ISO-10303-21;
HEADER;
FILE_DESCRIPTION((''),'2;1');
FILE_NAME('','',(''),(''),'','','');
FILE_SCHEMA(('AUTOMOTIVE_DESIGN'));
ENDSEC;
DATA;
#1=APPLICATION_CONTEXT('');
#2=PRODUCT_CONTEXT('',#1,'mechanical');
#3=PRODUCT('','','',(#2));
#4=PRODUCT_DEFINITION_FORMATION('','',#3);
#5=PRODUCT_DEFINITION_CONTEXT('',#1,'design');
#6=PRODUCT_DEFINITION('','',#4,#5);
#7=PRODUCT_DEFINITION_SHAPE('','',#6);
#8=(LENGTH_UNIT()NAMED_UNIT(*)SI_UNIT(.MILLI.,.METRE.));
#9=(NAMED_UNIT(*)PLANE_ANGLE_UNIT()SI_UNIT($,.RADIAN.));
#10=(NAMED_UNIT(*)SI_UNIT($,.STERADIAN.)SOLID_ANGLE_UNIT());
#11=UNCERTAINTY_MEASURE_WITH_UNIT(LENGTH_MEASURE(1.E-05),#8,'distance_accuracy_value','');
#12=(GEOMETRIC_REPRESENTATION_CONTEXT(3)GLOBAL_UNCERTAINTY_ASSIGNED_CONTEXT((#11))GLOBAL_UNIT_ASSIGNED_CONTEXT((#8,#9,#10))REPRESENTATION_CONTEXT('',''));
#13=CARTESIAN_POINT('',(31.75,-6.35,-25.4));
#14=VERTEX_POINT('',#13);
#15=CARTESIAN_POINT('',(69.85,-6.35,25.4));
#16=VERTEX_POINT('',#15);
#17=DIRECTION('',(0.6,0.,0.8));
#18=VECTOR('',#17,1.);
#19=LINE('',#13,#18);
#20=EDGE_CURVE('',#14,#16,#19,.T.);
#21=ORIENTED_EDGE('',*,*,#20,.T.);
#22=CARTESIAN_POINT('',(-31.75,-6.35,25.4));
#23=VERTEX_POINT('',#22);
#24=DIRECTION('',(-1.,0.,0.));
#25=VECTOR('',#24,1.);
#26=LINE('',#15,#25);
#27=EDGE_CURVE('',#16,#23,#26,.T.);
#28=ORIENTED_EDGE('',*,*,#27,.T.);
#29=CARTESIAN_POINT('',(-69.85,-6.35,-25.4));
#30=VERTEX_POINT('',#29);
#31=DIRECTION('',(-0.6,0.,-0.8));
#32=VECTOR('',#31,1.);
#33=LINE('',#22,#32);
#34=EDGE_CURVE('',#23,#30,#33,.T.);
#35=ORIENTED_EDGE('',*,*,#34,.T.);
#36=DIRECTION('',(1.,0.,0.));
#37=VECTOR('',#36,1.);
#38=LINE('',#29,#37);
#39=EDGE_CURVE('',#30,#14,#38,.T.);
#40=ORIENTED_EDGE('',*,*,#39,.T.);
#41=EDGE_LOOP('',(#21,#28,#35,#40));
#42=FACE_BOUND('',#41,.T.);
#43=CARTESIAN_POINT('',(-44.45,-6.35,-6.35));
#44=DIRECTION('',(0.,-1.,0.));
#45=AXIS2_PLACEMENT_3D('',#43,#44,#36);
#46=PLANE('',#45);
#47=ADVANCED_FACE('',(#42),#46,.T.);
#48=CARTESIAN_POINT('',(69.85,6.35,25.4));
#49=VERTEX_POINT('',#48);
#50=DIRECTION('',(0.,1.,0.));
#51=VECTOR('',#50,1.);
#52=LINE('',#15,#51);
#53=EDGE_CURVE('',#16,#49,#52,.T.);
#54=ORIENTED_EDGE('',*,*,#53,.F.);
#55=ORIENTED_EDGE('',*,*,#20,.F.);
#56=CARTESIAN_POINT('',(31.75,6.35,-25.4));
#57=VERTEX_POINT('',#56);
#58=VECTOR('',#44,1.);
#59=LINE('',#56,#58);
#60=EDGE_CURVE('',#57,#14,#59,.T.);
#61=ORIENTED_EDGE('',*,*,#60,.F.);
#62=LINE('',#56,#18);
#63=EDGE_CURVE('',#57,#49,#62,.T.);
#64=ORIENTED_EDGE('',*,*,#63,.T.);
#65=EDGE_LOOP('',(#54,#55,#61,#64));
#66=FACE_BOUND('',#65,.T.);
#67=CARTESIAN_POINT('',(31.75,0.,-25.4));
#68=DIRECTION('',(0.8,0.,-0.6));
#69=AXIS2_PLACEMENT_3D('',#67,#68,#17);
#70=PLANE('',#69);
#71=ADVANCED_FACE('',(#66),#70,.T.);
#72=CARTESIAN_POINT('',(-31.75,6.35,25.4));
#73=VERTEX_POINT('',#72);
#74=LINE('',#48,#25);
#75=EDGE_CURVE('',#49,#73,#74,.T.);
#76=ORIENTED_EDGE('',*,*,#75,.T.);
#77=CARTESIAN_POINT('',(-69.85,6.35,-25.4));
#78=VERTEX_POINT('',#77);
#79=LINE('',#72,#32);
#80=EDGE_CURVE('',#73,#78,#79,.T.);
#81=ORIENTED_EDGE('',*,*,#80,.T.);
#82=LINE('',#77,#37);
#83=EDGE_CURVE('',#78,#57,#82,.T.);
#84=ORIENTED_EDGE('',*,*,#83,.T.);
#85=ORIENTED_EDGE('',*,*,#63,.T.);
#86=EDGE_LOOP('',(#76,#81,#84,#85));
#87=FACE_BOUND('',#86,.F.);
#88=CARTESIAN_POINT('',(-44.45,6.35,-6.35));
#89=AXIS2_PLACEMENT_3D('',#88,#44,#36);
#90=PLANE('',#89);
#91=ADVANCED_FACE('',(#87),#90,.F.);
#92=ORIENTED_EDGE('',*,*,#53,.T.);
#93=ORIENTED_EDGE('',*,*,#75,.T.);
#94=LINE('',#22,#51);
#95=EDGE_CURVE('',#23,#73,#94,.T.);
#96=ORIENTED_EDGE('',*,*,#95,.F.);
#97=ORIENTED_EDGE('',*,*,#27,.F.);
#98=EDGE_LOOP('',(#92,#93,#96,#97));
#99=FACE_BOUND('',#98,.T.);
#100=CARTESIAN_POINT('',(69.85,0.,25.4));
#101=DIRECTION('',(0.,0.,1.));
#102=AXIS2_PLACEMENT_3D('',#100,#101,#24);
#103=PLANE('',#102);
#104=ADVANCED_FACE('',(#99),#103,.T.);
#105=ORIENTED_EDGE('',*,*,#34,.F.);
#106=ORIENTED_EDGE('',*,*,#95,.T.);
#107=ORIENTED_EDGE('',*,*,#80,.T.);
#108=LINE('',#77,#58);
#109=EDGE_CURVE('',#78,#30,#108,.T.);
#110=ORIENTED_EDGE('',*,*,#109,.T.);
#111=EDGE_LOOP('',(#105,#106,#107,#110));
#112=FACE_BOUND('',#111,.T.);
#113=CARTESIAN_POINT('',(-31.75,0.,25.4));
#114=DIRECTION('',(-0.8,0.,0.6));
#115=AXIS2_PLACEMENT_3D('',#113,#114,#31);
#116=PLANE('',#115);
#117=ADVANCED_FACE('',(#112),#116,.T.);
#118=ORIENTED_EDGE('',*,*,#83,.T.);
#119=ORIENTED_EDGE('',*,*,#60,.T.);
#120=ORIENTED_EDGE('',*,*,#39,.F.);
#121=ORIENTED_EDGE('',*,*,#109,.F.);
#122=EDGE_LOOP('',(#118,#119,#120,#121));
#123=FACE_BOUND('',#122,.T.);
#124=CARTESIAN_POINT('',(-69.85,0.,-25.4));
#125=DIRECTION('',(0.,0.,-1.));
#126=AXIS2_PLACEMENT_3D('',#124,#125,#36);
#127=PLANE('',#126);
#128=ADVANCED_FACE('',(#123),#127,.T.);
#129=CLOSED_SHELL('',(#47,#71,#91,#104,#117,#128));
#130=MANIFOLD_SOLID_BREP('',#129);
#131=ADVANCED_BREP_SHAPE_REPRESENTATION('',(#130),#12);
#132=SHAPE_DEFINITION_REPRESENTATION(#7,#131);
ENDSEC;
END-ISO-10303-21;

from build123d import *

# Parameters (mm, degrees)
F0_W     = 63.5
F0_H     = 50.8
F1_DEPTH = 6.35


with BuildPart() as f1:
    # F0 (on Front) → F1 (new body, symmetric)
    with BuildSketch(Plane.XZ):
        Polygon((-31.75, -25.4), (-31.75, 25.4), (-69.85, -25.4), align=None)
        Rectangle(F0_W, F0_H)
        Polygon((69.85, 25.4), (31.75, 25.4), (31.75, -25.4), align=None)
    extrude(amount=F1_DEPTH, both=True)


solid = f1.part
